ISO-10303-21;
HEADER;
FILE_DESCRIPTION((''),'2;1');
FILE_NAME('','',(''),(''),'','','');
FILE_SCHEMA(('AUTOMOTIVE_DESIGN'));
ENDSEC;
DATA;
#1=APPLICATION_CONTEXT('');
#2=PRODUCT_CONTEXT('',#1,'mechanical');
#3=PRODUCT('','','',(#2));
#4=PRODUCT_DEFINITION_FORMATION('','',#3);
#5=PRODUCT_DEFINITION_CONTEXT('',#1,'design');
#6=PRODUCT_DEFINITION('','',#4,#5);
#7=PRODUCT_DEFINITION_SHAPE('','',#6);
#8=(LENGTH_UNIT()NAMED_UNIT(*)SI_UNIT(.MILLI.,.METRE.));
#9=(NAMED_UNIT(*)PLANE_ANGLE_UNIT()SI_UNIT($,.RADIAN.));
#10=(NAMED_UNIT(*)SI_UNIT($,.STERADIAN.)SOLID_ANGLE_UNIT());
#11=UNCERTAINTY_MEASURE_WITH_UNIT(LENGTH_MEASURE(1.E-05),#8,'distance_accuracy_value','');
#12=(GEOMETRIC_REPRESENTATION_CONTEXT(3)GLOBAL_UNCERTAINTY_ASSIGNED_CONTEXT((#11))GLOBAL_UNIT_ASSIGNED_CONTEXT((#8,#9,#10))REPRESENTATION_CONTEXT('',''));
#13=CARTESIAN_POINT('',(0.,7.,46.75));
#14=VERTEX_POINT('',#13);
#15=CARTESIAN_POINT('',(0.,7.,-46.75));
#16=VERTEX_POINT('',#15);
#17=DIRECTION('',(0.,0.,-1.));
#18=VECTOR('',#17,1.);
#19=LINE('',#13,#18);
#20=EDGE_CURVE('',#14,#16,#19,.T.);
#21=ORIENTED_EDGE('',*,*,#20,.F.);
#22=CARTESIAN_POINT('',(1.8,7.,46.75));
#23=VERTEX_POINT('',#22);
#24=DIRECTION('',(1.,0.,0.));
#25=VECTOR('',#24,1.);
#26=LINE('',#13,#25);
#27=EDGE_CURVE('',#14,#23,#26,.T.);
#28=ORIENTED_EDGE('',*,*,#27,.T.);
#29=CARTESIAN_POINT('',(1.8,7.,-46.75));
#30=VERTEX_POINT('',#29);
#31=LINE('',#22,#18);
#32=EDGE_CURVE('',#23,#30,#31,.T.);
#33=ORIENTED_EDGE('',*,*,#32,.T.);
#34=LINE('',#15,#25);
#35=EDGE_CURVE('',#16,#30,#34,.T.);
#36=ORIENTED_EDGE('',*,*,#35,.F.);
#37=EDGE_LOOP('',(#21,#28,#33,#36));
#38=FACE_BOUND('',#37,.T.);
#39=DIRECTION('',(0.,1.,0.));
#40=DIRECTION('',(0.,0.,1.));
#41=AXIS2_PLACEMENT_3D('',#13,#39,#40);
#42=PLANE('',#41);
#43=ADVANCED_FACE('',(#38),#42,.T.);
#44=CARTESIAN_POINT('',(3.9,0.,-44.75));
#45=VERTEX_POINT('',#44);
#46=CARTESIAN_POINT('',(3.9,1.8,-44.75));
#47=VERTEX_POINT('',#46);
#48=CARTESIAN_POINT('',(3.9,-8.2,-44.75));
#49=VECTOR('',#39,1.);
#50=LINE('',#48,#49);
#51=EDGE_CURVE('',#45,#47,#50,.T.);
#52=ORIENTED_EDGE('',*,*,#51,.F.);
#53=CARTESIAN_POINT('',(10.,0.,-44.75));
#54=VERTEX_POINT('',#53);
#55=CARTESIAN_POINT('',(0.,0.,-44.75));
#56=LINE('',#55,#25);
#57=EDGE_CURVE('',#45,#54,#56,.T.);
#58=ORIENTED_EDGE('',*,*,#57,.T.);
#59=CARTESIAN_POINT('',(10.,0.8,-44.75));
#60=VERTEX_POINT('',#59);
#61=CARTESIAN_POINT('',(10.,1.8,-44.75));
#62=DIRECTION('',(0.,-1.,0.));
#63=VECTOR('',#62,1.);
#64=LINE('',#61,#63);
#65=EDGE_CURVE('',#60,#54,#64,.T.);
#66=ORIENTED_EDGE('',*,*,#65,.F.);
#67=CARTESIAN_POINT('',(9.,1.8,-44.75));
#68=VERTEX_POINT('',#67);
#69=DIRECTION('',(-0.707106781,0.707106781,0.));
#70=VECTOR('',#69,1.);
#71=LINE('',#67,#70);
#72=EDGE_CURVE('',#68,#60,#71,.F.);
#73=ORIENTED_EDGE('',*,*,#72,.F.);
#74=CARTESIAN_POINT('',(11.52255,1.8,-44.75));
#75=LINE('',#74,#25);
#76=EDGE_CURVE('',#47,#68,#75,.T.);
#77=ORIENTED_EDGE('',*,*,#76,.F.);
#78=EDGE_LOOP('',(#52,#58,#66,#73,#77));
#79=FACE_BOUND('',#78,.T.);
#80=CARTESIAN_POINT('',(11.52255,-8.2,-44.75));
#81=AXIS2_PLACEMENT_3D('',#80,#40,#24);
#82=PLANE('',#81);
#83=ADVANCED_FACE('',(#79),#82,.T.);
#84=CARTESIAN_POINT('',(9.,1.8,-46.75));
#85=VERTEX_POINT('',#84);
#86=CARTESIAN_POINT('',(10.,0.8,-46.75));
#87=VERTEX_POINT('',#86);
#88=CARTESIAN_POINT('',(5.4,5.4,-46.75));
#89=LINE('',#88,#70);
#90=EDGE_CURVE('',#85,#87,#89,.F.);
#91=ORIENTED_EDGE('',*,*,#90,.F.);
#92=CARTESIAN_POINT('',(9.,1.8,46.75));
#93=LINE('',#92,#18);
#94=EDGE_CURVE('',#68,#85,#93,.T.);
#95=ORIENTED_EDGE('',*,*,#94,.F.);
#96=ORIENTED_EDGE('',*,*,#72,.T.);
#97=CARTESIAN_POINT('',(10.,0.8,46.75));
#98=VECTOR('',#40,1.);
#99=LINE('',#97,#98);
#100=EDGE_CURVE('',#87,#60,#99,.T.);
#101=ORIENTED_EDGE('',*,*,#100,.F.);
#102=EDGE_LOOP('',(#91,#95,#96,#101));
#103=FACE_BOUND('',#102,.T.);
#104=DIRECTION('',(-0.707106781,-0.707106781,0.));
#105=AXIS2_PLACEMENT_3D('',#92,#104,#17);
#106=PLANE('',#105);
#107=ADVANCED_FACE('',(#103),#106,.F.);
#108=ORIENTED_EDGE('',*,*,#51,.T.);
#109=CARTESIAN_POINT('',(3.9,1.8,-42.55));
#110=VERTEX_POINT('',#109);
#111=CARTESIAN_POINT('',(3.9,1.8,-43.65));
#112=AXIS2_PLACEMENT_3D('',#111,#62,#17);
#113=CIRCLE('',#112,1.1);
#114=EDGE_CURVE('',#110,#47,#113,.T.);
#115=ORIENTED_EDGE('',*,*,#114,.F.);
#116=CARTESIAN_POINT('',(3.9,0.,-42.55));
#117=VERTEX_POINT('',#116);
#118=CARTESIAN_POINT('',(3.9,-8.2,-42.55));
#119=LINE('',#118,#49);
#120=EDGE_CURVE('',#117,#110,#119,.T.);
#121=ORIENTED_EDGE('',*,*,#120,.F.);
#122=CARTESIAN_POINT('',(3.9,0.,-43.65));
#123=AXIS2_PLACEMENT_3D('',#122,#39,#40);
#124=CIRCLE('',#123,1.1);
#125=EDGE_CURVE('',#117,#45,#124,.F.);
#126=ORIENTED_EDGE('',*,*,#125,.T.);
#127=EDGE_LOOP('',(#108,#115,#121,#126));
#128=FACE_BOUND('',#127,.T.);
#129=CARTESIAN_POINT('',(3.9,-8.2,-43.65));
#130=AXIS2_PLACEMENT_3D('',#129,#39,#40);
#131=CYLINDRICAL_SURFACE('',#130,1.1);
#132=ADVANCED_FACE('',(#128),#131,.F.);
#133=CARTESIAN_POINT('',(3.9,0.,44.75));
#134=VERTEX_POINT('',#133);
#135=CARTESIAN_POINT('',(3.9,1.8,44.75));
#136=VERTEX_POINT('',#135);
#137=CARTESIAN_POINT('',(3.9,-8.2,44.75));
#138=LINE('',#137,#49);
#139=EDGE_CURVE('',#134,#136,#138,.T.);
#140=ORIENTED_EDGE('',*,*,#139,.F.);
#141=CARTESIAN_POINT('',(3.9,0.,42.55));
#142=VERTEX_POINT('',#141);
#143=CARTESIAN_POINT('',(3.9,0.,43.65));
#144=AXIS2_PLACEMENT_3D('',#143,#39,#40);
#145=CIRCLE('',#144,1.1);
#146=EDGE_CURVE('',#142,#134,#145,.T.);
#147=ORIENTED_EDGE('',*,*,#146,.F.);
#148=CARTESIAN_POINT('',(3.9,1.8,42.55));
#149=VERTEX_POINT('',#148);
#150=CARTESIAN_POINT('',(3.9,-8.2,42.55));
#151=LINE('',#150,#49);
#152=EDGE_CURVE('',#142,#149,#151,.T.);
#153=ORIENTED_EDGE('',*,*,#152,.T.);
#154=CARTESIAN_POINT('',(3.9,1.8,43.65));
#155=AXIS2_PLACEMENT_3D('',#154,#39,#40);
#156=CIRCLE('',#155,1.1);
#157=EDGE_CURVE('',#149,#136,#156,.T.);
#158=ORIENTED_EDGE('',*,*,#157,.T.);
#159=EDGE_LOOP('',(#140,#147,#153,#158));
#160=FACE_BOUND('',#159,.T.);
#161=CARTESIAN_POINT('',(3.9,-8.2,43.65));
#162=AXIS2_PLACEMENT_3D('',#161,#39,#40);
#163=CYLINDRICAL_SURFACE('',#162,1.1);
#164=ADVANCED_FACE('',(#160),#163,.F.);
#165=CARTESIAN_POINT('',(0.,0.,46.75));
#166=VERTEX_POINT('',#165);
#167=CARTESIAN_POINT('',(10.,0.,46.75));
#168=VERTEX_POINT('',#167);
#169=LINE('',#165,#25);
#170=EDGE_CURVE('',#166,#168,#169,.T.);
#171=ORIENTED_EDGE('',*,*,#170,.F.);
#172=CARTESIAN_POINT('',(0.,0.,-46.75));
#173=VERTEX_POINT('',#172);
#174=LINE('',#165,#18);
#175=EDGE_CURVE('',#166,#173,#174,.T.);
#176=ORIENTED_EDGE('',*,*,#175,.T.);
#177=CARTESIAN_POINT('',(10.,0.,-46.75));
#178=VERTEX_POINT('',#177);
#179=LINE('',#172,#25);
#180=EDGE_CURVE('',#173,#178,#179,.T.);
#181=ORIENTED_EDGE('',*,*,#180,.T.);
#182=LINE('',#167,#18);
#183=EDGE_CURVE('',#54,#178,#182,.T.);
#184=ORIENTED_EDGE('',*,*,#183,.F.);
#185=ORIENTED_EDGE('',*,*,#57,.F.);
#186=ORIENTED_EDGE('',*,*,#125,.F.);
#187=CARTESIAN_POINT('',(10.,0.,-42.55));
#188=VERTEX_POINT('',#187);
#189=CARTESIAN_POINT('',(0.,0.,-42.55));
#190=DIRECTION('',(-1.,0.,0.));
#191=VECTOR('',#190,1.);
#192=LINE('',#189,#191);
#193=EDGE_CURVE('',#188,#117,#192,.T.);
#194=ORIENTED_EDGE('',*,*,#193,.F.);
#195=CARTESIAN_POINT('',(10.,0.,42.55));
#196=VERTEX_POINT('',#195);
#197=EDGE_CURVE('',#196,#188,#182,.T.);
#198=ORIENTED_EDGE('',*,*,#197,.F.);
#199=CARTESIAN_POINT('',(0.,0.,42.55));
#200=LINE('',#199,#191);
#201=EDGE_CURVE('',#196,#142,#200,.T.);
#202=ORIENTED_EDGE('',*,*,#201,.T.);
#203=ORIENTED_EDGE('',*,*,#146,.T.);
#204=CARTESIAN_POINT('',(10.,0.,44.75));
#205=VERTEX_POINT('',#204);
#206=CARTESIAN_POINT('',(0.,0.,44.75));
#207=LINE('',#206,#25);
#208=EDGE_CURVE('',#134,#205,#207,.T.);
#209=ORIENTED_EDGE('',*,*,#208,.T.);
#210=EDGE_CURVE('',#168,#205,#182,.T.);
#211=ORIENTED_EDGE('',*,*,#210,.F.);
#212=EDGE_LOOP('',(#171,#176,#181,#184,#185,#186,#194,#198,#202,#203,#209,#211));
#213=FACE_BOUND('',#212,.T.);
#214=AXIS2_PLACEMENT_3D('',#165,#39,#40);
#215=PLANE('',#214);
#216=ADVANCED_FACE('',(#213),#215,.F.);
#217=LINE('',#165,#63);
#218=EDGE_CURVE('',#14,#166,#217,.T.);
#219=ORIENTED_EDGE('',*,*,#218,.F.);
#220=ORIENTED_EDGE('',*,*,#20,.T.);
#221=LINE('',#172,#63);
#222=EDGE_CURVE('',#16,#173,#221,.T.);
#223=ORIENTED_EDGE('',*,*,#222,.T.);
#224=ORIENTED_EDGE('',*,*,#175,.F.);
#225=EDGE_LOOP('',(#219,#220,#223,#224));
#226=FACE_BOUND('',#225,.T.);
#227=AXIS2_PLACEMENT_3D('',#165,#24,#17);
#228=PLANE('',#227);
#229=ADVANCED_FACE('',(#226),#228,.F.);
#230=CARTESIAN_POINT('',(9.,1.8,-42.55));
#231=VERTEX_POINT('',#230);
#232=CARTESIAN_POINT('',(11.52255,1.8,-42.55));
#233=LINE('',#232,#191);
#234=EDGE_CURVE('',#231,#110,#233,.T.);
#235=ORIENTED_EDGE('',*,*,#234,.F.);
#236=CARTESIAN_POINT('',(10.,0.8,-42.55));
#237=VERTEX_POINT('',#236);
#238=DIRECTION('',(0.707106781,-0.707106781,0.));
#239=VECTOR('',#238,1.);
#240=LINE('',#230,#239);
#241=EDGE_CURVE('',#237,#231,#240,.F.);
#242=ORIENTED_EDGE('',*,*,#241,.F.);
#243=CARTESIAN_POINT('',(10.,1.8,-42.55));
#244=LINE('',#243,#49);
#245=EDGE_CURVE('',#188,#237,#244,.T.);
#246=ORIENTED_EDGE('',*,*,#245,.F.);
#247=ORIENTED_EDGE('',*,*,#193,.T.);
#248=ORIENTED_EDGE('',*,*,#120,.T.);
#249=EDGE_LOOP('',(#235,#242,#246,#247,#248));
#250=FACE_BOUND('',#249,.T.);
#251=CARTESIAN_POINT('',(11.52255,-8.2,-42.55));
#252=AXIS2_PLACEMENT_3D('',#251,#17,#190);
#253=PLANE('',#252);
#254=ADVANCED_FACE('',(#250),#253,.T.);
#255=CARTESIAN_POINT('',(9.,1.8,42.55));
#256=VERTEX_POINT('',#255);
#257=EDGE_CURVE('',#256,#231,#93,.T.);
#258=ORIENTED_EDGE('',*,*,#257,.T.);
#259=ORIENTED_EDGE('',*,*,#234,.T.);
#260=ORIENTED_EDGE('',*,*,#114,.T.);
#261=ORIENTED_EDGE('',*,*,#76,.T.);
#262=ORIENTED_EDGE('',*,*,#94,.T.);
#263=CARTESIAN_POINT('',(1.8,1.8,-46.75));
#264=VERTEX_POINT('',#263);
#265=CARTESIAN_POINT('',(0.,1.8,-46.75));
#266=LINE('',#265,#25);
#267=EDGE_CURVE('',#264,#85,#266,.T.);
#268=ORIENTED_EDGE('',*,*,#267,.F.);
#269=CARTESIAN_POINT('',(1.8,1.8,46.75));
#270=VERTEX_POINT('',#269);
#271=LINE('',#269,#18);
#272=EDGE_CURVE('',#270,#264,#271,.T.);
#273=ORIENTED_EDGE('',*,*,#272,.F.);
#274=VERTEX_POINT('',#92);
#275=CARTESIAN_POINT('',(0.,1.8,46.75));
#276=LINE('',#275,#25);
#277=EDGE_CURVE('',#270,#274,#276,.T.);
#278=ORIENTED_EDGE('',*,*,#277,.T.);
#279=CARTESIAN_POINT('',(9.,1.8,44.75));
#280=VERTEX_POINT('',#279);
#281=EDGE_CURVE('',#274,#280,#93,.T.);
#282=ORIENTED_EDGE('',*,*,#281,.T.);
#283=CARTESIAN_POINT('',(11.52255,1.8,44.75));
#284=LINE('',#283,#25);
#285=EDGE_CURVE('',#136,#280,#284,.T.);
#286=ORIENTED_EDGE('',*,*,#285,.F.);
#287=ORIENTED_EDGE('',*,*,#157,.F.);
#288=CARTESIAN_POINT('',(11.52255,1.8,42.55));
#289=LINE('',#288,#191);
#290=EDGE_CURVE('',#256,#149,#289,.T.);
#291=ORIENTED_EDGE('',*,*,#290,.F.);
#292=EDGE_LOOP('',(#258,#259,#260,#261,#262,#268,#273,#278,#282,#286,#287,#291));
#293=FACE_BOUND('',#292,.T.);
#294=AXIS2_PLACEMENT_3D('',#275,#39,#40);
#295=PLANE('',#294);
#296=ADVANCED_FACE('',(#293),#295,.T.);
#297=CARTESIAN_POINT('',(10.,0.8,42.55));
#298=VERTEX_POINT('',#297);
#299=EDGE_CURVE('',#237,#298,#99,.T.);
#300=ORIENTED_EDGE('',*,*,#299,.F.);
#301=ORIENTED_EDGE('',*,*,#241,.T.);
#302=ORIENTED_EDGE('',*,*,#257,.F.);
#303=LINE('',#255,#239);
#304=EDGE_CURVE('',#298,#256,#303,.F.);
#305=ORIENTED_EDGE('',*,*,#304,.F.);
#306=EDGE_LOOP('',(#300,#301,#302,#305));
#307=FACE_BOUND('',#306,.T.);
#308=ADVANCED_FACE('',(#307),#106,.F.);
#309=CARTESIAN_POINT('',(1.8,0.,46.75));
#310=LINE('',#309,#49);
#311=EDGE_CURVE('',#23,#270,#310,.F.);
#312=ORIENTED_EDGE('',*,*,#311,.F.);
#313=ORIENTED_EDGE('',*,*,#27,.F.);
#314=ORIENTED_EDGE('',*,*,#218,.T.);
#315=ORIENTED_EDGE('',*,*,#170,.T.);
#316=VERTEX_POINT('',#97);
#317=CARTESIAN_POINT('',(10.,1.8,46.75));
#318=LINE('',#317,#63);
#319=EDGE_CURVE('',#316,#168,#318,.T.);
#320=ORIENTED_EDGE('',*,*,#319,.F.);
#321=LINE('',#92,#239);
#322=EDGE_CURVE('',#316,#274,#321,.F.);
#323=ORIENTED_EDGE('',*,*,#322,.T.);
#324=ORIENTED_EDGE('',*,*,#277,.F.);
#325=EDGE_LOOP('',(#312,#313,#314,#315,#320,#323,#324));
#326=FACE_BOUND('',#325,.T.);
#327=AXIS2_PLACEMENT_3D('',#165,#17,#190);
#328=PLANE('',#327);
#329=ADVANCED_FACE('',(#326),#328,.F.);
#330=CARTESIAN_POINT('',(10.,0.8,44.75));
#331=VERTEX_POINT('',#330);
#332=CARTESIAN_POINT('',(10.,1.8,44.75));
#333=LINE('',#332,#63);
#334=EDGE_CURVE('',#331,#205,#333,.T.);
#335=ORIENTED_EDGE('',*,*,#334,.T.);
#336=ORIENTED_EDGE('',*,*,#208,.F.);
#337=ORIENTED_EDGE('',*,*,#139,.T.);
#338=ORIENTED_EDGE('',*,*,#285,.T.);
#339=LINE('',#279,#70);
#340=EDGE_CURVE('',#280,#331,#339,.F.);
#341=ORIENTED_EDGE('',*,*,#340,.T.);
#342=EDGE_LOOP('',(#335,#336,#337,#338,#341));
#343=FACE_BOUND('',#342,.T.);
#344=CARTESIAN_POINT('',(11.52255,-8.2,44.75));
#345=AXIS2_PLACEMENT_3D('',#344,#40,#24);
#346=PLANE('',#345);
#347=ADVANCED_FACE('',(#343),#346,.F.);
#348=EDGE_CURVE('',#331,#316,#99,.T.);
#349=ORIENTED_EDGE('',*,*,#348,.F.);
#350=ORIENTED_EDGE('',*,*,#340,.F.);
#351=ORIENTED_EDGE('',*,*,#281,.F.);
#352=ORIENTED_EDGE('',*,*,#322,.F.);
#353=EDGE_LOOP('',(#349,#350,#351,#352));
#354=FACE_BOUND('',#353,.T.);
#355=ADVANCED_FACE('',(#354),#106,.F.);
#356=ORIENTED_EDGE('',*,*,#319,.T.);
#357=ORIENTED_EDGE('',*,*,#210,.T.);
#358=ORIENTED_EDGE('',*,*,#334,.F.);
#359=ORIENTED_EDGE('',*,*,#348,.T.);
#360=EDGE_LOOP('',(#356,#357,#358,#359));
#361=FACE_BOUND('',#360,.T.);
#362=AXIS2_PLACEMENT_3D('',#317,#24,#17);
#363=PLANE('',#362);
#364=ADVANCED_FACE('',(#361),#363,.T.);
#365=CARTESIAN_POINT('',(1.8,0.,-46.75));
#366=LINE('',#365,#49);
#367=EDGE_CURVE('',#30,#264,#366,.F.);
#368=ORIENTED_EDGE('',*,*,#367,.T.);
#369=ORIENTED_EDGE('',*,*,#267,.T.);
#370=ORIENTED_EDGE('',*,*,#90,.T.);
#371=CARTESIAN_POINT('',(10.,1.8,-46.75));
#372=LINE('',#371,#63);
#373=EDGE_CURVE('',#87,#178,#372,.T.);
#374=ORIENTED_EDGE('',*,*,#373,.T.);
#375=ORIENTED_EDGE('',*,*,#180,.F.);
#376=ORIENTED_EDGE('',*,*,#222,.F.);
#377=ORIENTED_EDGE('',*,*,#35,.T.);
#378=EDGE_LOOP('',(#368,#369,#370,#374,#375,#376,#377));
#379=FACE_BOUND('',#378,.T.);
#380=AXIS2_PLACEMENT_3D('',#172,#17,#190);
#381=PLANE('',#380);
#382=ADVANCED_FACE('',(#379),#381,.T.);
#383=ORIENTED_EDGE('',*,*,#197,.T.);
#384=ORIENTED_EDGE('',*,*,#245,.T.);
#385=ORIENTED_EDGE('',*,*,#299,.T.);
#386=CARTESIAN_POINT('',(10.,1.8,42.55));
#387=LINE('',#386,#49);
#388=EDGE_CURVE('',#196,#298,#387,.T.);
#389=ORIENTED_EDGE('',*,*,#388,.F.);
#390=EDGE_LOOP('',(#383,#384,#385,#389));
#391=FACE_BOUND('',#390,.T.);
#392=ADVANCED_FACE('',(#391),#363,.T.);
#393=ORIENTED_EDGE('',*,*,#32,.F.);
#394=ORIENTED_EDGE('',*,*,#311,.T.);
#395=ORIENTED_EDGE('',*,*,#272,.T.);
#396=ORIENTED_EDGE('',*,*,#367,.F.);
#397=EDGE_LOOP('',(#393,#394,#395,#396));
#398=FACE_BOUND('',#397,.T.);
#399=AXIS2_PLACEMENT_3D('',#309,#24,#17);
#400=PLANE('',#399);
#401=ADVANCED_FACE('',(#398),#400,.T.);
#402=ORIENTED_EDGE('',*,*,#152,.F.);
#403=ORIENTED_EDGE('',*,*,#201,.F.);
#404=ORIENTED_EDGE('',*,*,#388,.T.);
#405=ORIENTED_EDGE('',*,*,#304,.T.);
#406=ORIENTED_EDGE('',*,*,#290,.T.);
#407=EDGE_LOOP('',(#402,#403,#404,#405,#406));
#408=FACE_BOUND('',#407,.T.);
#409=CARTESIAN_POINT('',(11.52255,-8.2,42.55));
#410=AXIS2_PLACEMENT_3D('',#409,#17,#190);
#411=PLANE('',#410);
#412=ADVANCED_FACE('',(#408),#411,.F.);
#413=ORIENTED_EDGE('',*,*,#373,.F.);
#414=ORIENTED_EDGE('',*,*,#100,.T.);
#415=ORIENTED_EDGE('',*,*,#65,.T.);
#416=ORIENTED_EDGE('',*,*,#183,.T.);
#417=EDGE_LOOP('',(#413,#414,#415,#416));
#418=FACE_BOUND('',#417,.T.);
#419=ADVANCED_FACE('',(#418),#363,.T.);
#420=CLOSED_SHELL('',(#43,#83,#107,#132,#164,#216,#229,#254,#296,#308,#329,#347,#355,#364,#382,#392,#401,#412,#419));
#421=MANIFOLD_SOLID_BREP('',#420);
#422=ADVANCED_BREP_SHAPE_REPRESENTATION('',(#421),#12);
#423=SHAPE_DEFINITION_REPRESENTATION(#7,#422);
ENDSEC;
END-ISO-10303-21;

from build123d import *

# Parameters (mm, degrees)
EXTRUDE_THIN1_DEPTH = 46.75
CHAMFER1_SIZE       = 1
CUT_EXTRUDE1_DEPTH  = 10


with BuildPart() as part:
    # Sketch1 → Extrude-Thin1 (new, symmetric)
    with BuildSketch(Plane.XY):
        Polygon((10, 0), (0, 0), (0, 7), (1.8, 7), (1.8, 1.8), (10, 1.8), align=None)
    extrude(amount=EXTRUDE_THIN1_DEPTH, both=True)

    # Chamfer1
    chamfer1_edges = [part.edges().sort_by_distance(p)[0] for p in [
        (10, 1.8, 0),
    ]]
    chamfer(chamfer1_edges, length=CHAMFER1_SIZE)

    # Sketch2 → Cut-Extrude1 (cut)
    with BuildSketch(Plane(origin=(0, 1.8, 0), x_dir=(1, 0, 0), z_dir=(0, 1, 0))):
        with BuildLine():
            Line((11.522549571, -44.75), (3.9, -44.75))
            ThreePointArc((3.9, -44.75), (2.8, -43.65), (3.9, -42.55))
            Line((3.9, -42.55), (11.522549571, -42.55))
            ThreePointArc((11.522549571, -42.55), (12.622549571, -43.65), (11.522549571, -44.75))
        make_face()
    cut_extrude1 = extrude(amount=-CUT_EXTRUDE1_DEPTH, mode=Mode.SUBTRACT)

    # Mirror1: Cut-Extrude1 across plane
    add(cut_extrude1.mirror(Plane.XY), mode=Mode.SUBTRACT)


solid = part.part
